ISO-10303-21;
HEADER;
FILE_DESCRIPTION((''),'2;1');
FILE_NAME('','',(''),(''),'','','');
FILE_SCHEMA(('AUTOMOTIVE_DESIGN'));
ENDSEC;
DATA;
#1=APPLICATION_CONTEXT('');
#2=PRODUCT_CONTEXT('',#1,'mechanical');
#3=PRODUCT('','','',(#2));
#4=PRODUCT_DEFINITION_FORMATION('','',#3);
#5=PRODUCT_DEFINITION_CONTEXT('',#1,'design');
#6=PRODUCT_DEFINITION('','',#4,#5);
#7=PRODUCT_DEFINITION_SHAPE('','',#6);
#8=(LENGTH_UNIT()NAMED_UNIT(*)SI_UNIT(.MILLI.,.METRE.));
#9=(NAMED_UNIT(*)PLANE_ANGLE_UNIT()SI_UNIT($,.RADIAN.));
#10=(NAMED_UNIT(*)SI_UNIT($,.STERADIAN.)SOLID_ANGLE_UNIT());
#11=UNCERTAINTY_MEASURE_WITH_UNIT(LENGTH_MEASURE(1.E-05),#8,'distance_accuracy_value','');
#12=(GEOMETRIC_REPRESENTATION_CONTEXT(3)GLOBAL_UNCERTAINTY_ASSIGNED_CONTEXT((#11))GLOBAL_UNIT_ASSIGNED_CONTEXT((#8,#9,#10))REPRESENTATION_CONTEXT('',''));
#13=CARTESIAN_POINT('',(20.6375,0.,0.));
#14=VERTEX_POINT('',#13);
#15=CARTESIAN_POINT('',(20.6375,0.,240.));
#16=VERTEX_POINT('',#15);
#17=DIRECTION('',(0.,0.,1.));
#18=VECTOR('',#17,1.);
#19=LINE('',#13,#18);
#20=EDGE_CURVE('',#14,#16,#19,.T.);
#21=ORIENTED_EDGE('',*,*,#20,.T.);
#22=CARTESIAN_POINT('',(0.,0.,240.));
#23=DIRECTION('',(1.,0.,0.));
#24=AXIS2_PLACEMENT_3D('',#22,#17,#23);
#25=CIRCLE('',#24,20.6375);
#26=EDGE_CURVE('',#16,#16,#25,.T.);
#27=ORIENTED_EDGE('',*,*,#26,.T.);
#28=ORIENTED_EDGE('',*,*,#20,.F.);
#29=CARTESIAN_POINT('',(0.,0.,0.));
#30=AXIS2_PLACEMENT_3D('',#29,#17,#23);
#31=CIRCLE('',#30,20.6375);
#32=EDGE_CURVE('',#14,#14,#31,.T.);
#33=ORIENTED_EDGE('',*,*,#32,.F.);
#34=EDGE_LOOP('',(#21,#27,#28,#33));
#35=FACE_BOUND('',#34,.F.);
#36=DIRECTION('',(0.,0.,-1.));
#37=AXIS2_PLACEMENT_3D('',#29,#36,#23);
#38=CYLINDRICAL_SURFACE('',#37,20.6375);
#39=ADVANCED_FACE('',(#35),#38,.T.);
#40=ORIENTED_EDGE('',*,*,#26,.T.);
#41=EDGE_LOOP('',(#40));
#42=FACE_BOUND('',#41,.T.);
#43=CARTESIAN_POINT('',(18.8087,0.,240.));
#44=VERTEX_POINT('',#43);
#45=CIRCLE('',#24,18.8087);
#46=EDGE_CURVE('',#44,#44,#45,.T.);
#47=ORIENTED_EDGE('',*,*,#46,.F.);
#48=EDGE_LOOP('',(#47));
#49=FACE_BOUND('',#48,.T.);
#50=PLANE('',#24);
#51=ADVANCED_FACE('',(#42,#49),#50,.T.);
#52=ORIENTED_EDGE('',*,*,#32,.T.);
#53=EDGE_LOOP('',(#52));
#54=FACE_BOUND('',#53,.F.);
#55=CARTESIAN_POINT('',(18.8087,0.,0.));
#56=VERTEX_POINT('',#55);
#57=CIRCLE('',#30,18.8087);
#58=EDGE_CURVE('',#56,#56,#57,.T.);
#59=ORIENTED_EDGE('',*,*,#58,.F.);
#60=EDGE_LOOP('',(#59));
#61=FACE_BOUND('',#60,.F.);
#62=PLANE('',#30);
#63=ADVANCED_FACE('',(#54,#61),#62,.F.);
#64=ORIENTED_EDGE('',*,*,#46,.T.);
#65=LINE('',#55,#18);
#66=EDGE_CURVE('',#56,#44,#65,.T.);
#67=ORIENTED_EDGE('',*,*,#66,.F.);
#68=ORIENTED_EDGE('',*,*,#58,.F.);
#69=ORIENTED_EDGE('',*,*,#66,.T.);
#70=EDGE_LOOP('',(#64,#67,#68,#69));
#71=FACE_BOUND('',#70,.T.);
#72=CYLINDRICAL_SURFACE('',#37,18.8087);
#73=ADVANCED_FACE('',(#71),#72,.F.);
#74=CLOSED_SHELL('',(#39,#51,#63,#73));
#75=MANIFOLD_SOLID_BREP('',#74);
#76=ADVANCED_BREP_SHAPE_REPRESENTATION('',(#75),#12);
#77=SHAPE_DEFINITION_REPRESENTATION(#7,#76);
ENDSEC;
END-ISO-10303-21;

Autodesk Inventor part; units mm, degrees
ref_plane "YZ Plane" through (0, 0, 0) normal (1, 0, 0) x (0, 1, 0)
ref_plane "XZ Plane" through (0, 0, 0) normal (0, 1, 0) x (-1, 0, 0)
ref_plane "XY Plane" through (0, 0, 0) normal (0, 0, 1) x (1, 0, 0)
sketch "Sketch1" plane through (0, 0, 0) normal (0, 0, 1) x (1, 0, 0)
  circle A0 centre (0, 0) radius 18.8087
  circle A1 centre (0, 0) radius 20.6375
  dimension "d0" = 37.6174
  dimension "d1" = 41.275
extrude "Extrusion1" add sketch "Sketch1" along normal blind 240
ref_plane "Work Plane1" through (-18.8087, 0, 0) normal (0, -1, 0) x (1, 0, 0)
properties part number "4000_Cu_Bias_Shielding_(McMaster_50475K18)_MPSv2_v2" material "Copper"
